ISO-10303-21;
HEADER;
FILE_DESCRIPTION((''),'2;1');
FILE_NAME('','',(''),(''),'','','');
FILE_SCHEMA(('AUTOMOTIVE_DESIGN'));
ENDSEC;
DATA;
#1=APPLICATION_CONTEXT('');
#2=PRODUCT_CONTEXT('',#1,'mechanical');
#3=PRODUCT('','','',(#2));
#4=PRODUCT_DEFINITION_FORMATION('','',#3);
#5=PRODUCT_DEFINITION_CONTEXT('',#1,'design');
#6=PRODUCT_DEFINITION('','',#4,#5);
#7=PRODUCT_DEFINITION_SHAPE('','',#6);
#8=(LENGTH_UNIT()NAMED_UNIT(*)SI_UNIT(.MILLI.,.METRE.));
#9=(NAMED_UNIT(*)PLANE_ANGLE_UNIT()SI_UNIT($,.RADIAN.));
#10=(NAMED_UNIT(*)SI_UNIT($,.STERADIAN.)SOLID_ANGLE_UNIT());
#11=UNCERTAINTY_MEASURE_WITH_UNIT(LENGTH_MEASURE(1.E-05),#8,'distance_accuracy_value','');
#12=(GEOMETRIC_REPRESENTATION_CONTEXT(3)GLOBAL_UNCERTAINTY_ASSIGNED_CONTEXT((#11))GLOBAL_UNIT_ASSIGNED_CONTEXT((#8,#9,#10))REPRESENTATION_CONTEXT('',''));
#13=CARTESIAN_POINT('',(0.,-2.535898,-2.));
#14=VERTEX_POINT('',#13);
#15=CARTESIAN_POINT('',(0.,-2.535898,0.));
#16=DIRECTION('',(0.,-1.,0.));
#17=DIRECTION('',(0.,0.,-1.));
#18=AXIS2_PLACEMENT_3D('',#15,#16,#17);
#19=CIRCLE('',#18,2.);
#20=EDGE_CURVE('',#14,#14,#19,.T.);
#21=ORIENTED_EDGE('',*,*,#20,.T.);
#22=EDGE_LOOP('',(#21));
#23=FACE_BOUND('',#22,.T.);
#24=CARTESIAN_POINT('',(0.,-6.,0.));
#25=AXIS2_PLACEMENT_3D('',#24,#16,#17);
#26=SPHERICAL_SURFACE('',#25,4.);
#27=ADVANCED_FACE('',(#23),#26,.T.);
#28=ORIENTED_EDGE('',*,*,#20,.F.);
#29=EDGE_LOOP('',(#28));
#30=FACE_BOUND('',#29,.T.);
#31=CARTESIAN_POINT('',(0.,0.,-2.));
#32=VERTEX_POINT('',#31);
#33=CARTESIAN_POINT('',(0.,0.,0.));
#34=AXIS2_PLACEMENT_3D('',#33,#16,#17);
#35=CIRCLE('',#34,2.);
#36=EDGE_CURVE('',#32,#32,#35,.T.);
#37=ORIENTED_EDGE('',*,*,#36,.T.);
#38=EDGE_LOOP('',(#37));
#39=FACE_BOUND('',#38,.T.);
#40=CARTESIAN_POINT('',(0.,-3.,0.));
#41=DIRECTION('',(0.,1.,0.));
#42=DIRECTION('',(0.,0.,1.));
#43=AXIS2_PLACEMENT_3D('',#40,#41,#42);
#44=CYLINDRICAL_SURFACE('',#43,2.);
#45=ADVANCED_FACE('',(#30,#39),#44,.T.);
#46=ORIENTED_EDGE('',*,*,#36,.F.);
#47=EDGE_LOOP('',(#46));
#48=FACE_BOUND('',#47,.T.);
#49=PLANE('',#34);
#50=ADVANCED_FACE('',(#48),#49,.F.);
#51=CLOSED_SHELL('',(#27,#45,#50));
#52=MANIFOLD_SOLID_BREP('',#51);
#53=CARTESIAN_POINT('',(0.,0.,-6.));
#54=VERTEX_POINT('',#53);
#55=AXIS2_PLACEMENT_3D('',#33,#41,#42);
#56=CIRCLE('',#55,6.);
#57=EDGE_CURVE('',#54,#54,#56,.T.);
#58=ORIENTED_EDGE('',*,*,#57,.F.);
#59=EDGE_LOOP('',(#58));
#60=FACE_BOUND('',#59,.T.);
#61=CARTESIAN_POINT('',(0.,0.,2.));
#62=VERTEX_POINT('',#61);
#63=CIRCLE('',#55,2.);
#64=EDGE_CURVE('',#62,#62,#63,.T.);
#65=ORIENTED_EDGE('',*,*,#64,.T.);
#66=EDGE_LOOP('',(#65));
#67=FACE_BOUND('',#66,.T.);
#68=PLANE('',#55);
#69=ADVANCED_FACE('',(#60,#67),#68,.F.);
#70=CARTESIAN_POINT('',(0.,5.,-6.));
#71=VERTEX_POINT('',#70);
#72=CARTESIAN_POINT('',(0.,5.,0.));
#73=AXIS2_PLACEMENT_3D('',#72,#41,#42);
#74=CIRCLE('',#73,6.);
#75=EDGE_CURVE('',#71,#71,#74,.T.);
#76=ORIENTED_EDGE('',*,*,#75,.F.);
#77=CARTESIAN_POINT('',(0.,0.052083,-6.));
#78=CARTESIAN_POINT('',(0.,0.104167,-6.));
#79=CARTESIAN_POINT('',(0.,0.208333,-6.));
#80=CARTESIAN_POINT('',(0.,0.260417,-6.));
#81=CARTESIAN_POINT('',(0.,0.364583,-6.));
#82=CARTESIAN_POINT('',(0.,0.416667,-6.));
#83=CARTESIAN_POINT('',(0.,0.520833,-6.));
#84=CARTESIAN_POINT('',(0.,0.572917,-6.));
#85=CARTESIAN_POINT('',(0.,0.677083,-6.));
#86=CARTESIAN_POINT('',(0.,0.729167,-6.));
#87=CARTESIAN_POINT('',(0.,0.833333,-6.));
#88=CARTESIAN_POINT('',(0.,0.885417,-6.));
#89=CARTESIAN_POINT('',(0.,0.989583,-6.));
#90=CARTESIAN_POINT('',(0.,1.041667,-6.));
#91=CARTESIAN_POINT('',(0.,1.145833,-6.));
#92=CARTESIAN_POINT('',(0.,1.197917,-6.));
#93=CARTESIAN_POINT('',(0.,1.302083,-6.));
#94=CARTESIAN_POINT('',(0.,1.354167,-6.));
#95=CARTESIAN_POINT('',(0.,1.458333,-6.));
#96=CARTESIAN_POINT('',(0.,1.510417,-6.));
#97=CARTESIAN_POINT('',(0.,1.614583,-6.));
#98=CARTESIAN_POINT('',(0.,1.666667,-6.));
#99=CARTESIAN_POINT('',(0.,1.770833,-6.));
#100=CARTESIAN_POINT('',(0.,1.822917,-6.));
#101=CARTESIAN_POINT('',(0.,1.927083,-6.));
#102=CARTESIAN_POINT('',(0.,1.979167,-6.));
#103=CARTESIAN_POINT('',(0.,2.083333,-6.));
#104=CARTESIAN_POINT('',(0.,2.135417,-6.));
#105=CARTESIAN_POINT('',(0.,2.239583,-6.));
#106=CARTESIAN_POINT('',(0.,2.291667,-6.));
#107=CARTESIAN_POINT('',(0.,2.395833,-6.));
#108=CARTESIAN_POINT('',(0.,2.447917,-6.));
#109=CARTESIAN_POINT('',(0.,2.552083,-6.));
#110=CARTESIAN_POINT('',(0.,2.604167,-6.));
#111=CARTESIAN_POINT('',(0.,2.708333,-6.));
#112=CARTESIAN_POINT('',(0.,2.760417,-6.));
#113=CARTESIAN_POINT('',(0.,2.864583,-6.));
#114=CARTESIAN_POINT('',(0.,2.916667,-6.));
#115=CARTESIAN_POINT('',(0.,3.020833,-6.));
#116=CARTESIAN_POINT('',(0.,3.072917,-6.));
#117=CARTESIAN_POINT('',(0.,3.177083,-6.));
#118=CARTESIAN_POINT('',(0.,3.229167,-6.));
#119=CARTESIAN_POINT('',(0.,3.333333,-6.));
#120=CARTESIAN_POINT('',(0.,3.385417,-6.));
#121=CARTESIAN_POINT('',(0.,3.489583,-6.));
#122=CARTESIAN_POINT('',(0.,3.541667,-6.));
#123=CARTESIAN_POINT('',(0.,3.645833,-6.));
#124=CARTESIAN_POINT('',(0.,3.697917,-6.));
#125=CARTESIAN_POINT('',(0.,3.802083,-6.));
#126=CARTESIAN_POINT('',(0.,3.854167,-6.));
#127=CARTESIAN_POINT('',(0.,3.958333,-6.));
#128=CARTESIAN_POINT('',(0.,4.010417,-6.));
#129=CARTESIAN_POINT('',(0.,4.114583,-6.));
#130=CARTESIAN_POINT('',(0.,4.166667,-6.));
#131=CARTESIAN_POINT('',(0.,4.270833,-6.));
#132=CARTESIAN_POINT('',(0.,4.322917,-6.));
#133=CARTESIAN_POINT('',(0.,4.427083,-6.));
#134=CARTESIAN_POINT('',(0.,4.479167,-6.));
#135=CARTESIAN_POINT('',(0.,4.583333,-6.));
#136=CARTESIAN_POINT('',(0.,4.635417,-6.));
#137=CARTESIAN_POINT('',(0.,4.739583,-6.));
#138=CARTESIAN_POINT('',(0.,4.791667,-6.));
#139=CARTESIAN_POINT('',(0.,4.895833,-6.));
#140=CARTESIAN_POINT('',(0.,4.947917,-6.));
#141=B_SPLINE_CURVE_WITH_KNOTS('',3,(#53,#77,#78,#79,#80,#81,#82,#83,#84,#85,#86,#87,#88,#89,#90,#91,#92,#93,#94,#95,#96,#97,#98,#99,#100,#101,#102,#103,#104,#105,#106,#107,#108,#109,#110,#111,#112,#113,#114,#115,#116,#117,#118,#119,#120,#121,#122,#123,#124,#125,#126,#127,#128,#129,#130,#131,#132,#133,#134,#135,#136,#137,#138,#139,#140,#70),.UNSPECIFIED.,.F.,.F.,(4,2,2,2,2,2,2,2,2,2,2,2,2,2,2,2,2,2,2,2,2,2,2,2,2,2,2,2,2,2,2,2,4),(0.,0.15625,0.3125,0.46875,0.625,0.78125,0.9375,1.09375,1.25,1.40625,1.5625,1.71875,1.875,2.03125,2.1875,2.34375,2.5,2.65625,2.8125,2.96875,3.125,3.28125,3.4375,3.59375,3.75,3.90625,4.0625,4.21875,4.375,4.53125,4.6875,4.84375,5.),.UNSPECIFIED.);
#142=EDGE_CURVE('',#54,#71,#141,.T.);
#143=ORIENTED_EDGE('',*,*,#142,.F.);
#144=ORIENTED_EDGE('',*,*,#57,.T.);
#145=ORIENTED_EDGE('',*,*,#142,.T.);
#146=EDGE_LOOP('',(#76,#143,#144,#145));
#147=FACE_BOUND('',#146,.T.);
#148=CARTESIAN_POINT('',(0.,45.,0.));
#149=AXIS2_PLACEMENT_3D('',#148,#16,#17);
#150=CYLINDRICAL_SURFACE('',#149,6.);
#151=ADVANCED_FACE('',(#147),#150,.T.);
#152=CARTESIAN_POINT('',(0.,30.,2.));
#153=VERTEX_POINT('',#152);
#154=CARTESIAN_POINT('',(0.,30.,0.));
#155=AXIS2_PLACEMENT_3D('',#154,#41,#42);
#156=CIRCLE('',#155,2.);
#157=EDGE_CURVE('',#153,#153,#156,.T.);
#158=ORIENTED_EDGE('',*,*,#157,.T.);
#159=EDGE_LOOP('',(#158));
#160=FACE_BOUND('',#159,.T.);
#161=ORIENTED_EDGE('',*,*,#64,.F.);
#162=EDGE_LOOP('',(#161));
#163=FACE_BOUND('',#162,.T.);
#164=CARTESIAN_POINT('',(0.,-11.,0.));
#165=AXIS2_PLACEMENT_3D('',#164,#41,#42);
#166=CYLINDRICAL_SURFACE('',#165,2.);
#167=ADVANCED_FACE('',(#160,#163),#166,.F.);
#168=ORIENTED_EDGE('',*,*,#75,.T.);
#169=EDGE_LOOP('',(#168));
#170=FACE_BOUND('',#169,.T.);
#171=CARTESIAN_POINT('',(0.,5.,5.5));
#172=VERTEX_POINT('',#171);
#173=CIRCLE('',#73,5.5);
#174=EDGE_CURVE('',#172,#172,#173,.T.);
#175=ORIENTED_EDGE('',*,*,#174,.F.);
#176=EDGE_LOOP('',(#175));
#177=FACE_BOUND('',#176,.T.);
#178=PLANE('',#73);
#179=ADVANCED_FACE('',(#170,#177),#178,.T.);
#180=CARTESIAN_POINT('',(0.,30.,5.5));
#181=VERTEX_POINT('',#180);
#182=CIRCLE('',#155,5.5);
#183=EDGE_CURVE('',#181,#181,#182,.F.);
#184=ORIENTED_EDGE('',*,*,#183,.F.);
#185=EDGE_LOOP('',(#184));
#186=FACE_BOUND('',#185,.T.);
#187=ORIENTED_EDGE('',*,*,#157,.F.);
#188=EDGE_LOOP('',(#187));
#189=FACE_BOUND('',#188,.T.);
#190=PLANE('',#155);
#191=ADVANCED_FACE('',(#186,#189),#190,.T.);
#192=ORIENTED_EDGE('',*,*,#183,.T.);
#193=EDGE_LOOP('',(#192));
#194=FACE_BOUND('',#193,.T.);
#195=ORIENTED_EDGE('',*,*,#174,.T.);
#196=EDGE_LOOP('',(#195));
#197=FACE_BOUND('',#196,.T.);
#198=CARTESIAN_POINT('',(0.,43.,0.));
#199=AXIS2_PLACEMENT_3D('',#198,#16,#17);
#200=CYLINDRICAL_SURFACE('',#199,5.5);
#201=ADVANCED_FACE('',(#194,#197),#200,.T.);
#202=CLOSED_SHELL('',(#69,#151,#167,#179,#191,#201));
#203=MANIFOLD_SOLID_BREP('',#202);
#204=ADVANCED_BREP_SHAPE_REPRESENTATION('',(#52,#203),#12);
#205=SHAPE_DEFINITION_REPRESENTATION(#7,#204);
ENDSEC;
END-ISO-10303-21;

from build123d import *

# Parameters (mm, degrees)
SKETCH1_R           = 6
BOSS_EXTRUDE1_DEPTH = 45
SKETCH7_W           = 15
SKETCH7_H           = 15
CUT_EXTRUDE5_DEPTH  = 25
SKETCH4_R           = 6
SKETCH4_R_2         = 5.5
CUT_EXTRUDE6_DEPTH  = 38
SKETCH5_R           = 2
CUT_EXTRUDE7_DEPTH  = 56
SKETCH8_R           = 2
BOSS_EXTRUDE2_DEPTH = 3


with BuildPart() as part:
    # Sketch1 → Boss-Extrude1 (new body)
    with BuildSketch(Plane(origin=(0, 0, 0), x_dir=(1, 0, 0), z_dir=(0, 1, 0))):
        with Locations(Location((0, 0, 0), (0, 0, 90))):
            Circle(SKETCH1_R)
    extrude(amount=BOSS_EXTRUDE1_DEPTH)

    # Sketch7 → Cut-Extrude5 (cut)
    with BuildSketch(Plane(origin=(0, 30, 0), x_dir=(1, 0, 0), z_dir=(0, 1, 0))):
        Rectangle(SKETCH7_W, SKETCH7_H)
    extrude(amount=CUT_EXTRUDE5_DEPTH, mode=Mode.SUBTRACT)

    # Sketch4 → Cut-Extrude6 (cut)
    with BuildSketch(Plane(origin=(0, 5, 0), x_dir=(1, 0, 0), z_dir=(0, 1, 0))):
        with Locations(Location((0, 0, 0), (0, 0, 90))):
            Circle(SKETCH4_R)
        with Locations(Location((0, 0, 0), (0, 0, 270))):
            Circle(SKETCH4_R_2, mode=Mode.SUBTRACT)
    extrude(amount=CUT_EXTRUDE6_DEPTH, mode=Mode.SUBTRACT)

    # Sketch5 → Cut-Extrude7 (cut)
    with BuildSketch(Plane(origin=(0, 45, 0), x_dir=(1, 0, 0), z_dir=(0, 1, 0))):
        with Locations(Location((0, 0, 0), (0, 0, 270))):
            Circle(SKETCH5_R)
    extrude(amount=-CUT_EXTRUDE7_DEPTH, mode=Mode.SUBTRACT)


with BuildPart() as body_2:
    # Sketch8 → Boss-Extrude2 (new body)
    with BuildSketch(Plane.XZ):
        with Locations(Location((0, 0, 0), (0, 0, 270))):
            Circle(SKETCH8_R)
    extrude(amount=BOSS_EXTRUDE2_DEPTH)

    # Sketch9 → Revolve2 (revolve)
    with BuildSketch(Plane(origin=(0, -6, 0), x_dir=(1, 0, 0), z_dir=(0, 1, 0))):
        with BuildLine():
            Line((-4, 0), (4, 0))
            ThreePointArc((4, 0), (0, 4), (-4, 0))
        make_face()
    revolve(axis=Axis((-4, -6, 0), (1, 0, 0)))


solid = Compound([part.part, body_2.part])
